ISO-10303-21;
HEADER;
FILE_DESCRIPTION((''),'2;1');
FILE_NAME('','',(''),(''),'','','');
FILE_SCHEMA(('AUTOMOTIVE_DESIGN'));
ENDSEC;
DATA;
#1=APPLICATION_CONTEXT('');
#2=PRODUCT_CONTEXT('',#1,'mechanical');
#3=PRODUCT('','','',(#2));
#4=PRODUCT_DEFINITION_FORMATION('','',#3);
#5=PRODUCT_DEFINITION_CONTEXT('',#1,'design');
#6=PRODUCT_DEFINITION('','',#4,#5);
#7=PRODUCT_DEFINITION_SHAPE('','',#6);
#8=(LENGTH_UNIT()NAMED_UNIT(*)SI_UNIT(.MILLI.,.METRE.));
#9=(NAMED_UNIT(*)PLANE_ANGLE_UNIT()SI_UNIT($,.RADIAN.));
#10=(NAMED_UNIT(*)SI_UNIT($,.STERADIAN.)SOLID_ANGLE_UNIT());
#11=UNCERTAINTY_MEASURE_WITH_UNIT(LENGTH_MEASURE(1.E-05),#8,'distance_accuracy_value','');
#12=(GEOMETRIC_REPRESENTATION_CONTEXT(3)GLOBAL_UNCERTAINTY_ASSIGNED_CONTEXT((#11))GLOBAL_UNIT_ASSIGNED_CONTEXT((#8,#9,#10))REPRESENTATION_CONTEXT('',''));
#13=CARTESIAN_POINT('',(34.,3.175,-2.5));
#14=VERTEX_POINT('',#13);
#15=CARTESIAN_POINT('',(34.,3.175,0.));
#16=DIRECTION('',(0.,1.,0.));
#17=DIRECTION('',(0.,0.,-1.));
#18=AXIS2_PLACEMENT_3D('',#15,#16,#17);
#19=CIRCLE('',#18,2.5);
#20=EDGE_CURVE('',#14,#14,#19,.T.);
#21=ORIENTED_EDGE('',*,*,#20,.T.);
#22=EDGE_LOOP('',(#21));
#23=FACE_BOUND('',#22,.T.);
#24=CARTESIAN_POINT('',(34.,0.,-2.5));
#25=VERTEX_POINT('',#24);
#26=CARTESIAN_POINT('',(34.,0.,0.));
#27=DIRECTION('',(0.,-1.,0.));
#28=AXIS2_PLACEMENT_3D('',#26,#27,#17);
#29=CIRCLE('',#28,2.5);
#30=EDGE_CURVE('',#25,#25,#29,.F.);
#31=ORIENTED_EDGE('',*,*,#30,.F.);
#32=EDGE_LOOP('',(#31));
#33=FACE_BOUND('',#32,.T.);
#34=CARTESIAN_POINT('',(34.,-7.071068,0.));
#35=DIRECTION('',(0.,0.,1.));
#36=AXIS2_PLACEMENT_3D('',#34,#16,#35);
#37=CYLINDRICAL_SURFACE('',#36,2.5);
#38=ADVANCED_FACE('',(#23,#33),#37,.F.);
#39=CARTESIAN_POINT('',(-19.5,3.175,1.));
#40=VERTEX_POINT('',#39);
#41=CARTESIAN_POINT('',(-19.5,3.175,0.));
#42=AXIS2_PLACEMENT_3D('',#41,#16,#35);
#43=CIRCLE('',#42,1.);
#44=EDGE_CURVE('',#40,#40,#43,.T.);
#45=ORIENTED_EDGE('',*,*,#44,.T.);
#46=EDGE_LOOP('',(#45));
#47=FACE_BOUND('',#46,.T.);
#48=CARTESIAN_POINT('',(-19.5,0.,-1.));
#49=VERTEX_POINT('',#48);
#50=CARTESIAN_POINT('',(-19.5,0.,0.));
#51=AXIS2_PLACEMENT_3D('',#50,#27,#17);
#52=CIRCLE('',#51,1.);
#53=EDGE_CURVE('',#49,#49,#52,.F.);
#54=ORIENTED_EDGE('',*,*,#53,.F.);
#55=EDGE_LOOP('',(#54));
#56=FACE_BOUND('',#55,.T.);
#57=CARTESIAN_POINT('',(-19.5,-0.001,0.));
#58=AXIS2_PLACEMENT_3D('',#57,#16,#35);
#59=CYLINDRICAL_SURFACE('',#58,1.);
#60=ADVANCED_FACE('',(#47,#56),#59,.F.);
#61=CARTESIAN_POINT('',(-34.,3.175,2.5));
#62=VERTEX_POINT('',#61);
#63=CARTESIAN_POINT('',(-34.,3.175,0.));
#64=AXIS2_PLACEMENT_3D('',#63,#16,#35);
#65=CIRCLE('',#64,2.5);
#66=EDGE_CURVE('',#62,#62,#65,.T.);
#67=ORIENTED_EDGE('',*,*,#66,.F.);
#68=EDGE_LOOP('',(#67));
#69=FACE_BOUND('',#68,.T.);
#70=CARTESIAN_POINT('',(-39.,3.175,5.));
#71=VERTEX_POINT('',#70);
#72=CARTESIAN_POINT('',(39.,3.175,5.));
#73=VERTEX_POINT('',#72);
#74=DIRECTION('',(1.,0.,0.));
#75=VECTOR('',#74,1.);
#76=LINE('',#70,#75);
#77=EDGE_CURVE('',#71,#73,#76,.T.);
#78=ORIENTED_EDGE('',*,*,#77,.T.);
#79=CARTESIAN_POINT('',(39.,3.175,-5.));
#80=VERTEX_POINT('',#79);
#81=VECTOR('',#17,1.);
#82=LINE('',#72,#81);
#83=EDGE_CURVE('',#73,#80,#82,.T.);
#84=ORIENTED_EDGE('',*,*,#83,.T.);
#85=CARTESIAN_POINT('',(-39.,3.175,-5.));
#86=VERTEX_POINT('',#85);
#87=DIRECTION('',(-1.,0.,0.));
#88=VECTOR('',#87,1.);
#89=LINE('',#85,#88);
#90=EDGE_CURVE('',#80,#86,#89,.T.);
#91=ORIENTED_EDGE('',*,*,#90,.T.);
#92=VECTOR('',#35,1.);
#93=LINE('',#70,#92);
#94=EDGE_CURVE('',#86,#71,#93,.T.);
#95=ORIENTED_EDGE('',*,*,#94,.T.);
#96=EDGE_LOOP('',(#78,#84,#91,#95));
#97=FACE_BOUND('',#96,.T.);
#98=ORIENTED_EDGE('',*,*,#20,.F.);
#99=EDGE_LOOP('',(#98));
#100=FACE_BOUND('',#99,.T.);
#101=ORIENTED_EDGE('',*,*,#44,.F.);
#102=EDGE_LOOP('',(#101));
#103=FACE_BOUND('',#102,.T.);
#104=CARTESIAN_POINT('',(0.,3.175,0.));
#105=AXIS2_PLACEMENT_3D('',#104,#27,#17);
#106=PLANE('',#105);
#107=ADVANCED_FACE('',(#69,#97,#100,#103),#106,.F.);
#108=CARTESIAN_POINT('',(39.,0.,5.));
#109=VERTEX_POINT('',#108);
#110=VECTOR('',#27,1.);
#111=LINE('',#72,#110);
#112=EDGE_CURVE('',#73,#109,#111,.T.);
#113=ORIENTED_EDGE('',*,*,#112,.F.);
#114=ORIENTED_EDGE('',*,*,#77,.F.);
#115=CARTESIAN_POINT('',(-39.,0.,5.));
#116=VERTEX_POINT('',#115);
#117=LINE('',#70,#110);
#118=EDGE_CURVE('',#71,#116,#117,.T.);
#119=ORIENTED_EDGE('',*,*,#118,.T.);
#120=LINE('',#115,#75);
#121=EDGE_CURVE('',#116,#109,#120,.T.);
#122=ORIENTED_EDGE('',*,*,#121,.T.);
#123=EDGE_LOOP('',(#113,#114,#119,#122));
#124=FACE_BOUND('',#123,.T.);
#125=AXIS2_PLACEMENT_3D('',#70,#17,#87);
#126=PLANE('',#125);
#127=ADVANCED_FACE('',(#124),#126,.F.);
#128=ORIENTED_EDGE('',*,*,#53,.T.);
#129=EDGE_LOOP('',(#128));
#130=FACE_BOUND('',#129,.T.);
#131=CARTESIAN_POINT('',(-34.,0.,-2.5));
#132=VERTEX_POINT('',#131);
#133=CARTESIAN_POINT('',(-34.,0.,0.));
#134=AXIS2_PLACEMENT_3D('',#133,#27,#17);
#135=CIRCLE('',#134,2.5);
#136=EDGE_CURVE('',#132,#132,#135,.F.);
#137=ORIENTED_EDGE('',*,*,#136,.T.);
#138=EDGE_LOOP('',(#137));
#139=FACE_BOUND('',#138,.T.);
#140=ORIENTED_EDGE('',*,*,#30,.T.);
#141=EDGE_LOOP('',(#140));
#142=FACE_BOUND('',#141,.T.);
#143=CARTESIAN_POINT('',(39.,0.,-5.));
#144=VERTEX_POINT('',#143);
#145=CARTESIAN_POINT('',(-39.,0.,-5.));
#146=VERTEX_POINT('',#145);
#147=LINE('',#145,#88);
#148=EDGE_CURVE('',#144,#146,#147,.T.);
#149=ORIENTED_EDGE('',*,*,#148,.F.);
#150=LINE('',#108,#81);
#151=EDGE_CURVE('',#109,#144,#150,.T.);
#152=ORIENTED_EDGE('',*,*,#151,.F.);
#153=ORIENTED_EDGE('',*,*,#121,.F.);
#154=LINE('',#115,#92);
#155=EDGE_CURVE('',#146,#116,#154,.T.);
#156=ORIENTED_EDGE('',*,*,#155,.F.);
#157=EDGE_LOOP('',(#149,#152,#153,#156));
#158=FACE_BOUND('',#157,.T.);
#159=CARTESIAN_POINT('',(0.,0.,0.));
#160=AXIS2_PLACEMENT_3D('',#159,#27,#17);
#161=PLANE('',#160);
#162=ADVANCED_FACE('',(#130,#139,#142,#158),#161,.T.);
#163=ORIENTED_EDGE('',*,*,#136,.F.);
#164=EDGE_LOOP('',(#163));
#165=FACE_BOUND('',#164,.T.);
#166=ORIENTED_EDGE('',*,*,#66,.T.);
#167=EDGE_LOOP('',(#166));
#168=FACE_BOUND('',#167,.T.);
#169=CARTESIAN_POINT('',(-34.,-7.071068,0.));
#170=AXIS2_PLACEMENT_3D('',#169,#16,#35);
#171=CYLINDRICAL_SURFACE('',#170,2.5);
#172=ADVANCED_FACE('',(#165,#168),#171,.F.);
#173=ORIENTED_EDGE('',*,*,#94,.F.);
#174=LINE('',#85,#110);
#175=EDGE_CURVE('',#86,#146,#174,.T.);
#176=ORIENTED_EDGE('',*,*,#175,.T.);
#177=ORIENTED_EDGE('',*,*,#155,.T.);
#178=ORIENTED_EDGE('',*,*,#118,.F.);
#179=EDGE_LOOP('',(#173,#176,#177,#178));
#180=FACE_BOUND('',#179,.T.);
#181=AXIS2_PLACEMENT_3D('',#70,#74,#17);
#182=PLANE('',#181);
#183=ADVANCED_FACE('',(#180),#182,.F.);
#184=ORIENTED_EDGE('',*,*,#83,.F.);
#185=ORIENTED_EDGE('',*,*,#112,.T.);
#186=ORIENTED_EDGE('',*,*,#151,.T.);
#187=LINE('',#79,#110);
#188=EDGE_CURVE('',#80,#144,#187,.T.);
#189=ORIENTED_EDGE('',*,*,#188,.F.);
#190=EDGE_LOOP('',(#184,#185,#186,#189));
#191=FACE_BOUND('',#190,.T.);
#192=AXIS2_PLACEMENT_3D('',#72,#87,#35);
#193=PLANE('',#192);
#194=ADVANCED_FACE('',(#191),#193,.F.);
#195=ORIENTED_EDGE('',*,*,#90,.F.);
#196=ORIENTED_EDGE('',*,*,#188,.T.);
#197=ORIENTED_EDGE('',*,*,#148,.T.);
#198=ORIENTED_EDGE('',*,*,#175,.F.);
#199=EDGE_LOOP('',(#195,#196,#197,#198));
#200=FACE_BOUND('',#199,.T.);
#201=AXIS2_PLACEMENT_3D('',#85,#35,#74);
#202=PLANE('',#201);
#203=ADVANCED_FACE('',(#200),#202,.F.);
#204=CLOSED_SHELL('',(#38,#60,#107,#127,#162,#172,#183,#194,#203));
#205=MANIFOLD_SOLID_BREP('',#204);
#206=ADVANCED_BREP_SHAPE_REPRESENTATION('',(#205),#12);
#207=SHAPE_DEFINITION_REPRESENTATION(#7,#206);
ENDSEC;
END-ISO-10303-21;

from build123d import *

# Parameters (mm, degrees)
SKETCH2_W           = 78
SKETCH2_H           = 10
BOSS_EXTRUDE1_DEPTH = 3.175
SKETCH3_R           = 2.5
CUT_EXTRUDE1_DEPTH  = 3.175
CUT_EXTRUDE2_REACH  = 41.447
SKETCH4_R           = 1


with BuildPart() as part:
    # Sketch2 → Boss-Extrude1 (new body)
    with BuildSketch(Plane(origin=(0, 0, 0), x_dir=(1, 0, 0), z_dir=(0, 1, 0))):
        Rectangle(SKETCH2_W, SKETCH2_H)
    extrude(amount=BOSS_EXTRUDE1_DEPTH)

    # Sketch3 → Cut-Extrude1 (cut)
    with BuildSketch(Plane(origin=(0, 3.175, 0), x_dir=(1, 0, 0), z_dir=(0, 1, 0))):
        with Locations(Location((-34, 0, 0), (0, 0, 270))):
            Circle(SKETCH3_R)
        with Locations(Location((34, 0, 0), (0, 0, 90))):
            Circle(SKETCH3_R)
    extrude(amount=-CUT_EXTRUDE1_DEPTH, mode=Mode.SUBTRACT)

    # Sketch4 → Cut-Extrude2 (cut, up to next)
    with BuildSketch(Plane(origin=(0, 3.175, 0), x_dir=(1, 0, 0), z_dir=(0, 1, 0)), mode=Mode.PRIVATE) as cut_extrude2_sk1:
        with Locations(Location((-19.5, 0, 0), (0, 0, 270))):
            Circle(SKETCH4_R)
    cut_extrude2_tool1 = extrude(cut_extrude2_sk1.sketch, amount=-CUT_EXTRUDE2_REACH, mode=Mode.PRIVATE) & part.part
    add(cut_extrude2_tool1.solids().sort_by_distance((-19.5, 3.175, 0))[0], mode=Mode.SUBTRACT)


solid = part.part
